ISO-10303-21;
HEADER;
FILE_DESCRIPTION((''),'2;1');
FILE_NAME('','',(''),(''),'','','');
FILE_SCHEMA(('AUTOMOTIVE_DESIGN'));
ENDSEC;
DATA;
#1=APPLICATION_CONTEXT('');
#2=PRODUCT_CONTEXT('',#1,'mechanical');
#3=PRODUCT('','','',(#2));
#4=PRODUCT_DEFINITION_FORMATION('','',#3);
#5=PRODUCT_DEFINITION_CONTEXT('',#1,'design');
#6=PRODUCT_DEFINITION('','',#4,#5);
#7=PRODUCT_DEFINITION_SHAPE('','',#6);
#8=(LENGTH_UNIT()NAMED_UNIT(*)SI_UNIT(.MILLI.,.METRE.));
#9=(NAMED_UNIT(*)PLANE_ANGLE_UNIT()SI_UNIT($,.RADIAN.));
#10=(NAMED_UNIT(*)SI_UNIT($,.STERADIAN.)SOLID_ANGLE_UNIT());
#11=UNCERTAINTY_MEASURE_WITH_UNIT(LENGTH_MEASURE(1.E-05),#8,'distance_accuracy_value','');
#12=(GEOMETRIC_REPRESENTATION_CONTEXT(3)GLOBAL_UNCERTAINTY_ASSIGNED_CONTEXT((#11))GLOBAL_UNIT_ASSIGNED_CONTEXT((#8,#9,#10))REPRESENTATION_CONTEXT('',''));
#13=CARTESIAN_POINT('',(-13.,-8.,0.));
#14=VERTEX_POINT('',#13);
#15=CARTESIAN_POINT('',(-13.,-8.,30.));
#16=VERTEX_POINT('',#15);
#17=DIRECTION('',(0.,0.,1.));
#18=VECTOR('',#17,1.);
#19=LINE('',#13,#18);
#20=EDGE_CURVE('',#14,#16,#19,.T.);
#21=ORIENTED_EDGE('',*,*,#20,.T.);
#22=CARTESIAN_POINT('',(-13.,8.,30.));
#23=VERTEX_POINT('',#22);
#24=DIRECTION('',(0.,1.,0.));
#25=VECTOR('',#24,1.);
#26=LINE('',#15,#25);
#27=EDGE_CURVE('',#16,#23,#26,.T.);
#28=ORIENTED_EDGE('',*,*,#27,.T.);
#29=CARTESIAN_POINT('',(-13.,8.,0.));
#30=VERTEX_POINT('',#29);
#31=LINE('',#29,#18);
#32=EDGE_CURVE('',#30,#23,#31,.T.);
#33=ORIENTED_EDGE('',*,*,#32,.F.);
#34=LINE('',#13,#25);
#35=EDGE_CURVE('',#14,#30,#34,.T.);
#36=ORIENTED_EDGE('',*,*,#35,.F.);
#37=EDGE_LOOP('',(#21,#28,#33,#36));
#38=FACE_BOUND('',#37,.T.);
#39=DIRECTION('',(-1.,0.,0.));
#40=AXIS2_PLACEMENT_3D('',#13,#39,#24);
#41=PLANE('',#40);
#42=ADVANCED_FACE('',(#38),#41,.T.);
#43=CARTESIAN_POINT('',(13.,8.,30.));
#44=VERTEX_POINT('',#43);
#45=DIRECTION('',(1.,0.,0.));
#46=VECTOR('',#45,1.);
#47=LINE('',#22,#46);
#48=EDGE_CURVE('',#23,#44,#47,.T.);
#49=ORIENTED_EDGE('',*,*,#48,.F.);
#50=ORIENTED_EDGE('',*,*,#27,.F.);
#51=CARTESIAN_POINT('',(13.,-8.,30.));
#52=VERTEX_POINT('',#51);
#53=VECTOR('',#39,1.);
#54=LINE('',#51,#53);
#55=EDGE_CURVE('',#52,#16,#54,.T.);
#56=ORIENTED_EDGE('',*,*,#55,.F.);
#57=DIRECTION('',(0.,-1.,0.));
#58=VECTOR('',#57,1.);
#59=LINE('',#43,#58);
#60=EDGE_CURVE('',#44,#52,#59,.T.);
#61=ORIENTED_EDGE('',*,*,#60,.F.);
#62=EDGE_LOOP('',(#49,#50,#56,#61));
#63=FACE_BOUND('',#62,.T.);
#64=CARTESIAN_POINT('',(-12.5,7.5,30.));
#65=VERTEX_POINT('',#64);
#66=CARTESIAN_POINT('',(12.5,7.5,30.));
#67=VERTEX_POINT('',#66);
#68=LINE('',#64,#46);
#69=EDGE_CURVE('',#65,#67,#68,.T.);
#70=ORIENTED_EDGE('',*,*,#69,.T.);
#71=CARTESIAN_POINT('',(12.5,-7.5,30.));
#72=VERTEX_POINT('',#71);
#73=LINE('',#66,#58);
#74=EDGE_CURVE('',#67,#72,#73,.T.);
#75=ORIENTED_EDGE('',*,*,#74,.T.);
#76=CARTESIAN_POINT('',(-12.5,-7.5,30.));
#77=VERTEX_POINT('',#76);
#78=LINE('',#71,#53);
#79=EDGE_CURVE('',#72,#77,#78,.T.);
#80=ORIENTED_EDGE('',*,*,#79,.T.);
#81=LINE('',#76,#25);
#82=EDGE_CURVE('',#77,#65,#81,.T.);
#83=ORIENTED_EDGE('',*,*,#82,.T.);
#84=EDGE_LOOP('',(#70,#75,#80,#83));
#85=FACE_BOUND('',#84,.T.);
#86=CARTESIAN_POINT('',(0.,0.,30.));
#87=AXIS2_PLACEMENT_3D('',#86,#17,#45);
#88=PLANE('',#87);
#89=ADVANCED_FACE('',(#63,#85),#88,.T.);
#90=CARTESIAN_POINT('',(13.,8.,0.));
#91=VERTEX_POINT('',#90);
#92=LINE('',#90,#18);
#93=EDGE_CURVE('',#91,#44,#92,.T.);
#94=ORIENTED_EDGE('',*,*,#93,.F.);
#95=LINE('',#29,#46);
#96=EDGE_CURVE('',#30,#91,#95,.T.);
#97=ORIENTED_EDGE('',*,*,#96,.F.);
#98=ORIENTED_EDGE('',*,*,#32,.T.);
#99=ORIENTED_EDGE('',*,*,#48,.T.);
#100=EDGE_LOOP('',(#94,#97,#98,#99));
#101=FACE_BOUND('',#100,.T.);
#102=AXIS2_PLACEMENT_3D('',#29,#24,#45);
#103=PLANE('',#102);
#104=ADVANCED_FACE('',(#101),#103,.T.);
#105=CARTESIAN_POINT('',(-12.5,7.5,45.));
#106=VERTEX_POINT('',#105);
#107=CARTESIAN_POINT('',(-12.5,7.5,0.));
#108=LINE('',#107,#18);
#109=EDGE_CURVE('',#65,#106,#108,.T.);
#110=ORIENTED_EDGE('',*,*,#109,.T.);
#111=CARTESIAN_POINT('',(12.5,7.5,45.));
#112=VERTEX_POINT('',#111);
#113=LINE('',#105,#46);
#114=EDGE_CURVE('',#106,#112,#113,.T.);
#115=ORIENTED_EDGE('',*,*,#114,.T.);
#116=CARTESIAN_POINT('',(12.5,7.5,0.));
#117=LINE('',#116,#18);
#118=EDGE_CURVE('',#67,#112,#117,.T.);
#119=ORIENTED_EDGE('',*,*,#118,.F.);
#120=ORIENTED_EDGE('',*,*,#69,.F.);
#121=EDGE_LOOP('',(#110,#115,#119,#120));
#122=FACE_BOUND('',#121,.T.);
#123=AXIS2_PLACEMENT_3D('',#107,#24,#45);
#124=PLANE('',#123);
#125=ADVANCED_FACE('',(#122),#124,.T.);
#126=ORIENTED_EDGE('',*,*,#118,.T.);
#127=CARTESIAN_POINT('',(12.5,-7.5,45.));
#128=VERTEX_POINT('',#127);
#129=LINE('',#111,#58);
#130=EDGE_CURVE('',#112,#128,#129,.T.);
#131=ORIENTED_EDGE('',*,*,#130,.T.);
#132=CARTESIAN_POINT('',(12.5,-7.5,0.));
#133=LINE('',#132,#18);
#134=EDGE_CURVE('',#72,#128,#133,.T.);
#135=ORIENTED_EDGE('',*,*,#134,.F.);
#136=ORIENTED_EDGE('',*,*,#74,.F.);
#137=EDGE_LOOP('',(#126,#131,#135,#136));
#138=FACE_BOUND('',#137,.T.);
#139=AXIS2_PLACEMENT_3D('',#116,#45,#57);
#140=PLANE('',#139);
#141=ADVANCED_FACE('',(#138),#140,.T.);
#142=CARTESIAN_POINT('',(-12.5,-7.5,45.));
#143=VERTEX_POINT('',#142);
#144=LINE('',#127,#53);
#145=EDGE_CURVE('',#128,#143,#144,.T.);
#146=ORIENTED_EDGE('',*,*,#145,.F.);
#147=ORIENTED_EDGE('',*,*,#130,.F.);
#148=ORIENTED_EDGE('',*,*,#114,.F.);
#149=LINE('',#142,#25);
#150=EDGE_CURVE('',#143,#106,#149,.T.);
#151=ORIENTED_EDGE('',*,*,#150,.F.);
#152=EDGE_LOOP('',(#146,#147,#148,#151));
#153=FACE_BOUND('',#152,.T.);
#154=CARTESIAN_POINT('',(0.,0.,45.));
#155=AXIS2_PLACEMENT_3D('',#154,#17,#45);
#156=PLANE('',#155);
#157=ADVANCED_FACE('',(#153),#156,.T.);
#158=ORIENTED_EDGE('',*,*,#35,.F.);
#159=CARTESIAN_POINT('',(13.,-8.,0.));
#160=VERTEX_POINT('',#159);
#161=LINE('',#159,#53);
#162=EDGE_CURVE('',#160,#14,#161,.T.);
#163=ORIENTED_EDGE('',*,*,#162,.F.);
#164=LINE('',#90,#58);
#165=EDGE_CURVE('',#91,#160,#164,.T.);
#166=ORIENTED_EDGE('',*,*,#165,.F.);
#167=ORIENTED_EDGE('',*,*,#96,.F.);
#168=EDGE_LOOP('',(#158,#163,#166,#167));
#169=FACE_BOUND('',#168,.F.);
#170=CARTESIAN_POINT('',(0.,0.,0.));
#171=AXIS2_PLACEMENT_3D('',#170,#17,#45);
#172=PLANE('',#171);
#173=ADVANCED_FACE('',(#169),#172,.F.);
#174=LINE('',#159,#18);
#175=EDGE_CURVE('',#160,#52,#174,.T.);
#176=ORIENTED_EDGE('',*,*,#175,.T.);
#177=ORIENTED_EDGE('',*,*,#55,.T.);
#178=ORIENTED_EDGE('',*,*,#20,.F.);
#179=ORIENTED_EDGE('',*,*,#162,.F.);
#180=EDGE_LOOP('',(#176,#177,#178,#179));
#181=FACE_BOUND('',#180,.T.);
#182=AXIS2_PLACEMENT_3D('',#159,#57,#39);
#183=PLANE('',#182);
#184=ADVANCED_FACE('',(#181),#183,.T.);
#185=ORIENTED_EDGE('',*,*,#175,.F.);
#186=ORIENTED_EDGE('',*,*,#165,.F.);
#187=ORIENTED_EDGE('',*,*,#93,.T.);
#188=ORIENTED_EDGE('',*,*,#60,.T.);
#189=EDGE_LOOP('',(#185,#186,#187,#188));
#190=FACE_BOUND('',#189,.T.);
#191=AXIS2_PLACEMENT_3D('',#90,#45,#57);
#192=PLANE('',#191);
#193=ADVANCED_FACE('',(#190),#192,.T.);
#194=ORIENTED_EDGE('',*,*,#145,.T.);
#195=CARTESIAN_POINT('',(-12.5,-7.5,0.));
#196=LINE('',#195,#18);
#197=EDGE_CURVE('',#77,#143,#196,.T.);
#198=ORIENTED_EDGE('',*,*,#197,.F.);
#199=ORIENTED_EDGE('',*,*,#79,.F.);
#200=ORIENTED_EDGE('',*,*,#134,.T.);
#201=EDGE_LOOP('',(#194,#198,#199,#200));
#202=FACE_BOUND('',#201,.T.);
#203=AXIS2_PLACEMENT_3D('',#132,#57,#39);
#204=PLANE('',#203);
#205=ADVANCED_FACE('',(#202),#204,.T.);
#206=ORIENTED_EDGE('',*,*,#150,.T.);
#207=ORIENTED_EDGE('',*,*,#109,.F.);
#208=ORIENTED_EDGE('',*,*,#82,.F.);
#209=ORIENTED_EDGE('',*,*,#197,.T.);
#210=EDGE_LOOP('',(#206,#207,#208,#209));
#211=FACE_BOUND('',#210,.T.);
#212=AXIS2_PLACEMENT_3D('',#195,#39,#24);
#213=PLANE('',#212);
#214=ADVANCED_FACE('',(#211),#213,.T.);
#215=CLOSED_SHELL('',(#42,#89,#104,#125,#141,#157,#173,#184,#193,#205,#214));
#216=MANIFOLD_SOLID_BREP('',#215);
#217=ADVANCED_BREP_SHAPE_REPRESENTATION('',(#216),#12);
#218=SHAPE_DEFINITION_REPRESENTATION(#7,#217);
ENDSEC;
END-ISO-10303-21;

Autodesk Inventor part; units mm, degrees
ref_plane "YZ Plane" through (0, 0, 0) normal (1, 0, 0) x (0, 1, 0)
ref_plane "XZ Plane" through (0, 0, 0) normal (0, 1, 0) x (-1, 0, 0)
ref_plane "XY Plane" through (0, 0, 0) normal (0, 0, 1) x (1, 0, 0)
sketch "スケッチ1" plane through (0, 0, 0) normal (0, 0, 1) x (1, 0, 0)
  line L0 (-12.5, 7.5) -> (12.5, 7.5)
  line L1 (12.5, 7.5) -> (12.5, -7.5)
  line L2 (12.5, -7.5) -> (-12.5, -7.5)
  line L3 (-12.5, -7.5) -> (-12.5, 7.5)
  line L4 (-12.5, 7.5) -> (12.5, -7.5) construction
  line L5 (12.5, 7.5) -> (-12.5, -7.5) construction
  line L6 (-13, 8) -> (13, 8)
  line L7 (13, 8) -> (13, -8)
  line L8 (13, -8) -> (-13, -8)
  line L9 (-13, -8) -> (-13, 8)
  line L10 (-13, 8) -> (13, -8) construction
  line L11 (13, 8) -> (-13, -8) construction
  point P0 (0, 0)
  dimension "d0" = 25
  dimension "d1" = 15
  dimension "d4" = 0.5
  dimension "d5" = 0.5
extrude "押し出し1" add sketch "スケッチ1" along normal blind 45 contours L0 L1 L2 L3
extrude "押し出し2" add sketch "スケッチ1" along normal blind 30
sketch "スケッチ2" plane through (-13, 8, 0) normal (0, 1, 0) x (1, 0, 0)
  point P0 (13, 0)
properties part number "eraser"
